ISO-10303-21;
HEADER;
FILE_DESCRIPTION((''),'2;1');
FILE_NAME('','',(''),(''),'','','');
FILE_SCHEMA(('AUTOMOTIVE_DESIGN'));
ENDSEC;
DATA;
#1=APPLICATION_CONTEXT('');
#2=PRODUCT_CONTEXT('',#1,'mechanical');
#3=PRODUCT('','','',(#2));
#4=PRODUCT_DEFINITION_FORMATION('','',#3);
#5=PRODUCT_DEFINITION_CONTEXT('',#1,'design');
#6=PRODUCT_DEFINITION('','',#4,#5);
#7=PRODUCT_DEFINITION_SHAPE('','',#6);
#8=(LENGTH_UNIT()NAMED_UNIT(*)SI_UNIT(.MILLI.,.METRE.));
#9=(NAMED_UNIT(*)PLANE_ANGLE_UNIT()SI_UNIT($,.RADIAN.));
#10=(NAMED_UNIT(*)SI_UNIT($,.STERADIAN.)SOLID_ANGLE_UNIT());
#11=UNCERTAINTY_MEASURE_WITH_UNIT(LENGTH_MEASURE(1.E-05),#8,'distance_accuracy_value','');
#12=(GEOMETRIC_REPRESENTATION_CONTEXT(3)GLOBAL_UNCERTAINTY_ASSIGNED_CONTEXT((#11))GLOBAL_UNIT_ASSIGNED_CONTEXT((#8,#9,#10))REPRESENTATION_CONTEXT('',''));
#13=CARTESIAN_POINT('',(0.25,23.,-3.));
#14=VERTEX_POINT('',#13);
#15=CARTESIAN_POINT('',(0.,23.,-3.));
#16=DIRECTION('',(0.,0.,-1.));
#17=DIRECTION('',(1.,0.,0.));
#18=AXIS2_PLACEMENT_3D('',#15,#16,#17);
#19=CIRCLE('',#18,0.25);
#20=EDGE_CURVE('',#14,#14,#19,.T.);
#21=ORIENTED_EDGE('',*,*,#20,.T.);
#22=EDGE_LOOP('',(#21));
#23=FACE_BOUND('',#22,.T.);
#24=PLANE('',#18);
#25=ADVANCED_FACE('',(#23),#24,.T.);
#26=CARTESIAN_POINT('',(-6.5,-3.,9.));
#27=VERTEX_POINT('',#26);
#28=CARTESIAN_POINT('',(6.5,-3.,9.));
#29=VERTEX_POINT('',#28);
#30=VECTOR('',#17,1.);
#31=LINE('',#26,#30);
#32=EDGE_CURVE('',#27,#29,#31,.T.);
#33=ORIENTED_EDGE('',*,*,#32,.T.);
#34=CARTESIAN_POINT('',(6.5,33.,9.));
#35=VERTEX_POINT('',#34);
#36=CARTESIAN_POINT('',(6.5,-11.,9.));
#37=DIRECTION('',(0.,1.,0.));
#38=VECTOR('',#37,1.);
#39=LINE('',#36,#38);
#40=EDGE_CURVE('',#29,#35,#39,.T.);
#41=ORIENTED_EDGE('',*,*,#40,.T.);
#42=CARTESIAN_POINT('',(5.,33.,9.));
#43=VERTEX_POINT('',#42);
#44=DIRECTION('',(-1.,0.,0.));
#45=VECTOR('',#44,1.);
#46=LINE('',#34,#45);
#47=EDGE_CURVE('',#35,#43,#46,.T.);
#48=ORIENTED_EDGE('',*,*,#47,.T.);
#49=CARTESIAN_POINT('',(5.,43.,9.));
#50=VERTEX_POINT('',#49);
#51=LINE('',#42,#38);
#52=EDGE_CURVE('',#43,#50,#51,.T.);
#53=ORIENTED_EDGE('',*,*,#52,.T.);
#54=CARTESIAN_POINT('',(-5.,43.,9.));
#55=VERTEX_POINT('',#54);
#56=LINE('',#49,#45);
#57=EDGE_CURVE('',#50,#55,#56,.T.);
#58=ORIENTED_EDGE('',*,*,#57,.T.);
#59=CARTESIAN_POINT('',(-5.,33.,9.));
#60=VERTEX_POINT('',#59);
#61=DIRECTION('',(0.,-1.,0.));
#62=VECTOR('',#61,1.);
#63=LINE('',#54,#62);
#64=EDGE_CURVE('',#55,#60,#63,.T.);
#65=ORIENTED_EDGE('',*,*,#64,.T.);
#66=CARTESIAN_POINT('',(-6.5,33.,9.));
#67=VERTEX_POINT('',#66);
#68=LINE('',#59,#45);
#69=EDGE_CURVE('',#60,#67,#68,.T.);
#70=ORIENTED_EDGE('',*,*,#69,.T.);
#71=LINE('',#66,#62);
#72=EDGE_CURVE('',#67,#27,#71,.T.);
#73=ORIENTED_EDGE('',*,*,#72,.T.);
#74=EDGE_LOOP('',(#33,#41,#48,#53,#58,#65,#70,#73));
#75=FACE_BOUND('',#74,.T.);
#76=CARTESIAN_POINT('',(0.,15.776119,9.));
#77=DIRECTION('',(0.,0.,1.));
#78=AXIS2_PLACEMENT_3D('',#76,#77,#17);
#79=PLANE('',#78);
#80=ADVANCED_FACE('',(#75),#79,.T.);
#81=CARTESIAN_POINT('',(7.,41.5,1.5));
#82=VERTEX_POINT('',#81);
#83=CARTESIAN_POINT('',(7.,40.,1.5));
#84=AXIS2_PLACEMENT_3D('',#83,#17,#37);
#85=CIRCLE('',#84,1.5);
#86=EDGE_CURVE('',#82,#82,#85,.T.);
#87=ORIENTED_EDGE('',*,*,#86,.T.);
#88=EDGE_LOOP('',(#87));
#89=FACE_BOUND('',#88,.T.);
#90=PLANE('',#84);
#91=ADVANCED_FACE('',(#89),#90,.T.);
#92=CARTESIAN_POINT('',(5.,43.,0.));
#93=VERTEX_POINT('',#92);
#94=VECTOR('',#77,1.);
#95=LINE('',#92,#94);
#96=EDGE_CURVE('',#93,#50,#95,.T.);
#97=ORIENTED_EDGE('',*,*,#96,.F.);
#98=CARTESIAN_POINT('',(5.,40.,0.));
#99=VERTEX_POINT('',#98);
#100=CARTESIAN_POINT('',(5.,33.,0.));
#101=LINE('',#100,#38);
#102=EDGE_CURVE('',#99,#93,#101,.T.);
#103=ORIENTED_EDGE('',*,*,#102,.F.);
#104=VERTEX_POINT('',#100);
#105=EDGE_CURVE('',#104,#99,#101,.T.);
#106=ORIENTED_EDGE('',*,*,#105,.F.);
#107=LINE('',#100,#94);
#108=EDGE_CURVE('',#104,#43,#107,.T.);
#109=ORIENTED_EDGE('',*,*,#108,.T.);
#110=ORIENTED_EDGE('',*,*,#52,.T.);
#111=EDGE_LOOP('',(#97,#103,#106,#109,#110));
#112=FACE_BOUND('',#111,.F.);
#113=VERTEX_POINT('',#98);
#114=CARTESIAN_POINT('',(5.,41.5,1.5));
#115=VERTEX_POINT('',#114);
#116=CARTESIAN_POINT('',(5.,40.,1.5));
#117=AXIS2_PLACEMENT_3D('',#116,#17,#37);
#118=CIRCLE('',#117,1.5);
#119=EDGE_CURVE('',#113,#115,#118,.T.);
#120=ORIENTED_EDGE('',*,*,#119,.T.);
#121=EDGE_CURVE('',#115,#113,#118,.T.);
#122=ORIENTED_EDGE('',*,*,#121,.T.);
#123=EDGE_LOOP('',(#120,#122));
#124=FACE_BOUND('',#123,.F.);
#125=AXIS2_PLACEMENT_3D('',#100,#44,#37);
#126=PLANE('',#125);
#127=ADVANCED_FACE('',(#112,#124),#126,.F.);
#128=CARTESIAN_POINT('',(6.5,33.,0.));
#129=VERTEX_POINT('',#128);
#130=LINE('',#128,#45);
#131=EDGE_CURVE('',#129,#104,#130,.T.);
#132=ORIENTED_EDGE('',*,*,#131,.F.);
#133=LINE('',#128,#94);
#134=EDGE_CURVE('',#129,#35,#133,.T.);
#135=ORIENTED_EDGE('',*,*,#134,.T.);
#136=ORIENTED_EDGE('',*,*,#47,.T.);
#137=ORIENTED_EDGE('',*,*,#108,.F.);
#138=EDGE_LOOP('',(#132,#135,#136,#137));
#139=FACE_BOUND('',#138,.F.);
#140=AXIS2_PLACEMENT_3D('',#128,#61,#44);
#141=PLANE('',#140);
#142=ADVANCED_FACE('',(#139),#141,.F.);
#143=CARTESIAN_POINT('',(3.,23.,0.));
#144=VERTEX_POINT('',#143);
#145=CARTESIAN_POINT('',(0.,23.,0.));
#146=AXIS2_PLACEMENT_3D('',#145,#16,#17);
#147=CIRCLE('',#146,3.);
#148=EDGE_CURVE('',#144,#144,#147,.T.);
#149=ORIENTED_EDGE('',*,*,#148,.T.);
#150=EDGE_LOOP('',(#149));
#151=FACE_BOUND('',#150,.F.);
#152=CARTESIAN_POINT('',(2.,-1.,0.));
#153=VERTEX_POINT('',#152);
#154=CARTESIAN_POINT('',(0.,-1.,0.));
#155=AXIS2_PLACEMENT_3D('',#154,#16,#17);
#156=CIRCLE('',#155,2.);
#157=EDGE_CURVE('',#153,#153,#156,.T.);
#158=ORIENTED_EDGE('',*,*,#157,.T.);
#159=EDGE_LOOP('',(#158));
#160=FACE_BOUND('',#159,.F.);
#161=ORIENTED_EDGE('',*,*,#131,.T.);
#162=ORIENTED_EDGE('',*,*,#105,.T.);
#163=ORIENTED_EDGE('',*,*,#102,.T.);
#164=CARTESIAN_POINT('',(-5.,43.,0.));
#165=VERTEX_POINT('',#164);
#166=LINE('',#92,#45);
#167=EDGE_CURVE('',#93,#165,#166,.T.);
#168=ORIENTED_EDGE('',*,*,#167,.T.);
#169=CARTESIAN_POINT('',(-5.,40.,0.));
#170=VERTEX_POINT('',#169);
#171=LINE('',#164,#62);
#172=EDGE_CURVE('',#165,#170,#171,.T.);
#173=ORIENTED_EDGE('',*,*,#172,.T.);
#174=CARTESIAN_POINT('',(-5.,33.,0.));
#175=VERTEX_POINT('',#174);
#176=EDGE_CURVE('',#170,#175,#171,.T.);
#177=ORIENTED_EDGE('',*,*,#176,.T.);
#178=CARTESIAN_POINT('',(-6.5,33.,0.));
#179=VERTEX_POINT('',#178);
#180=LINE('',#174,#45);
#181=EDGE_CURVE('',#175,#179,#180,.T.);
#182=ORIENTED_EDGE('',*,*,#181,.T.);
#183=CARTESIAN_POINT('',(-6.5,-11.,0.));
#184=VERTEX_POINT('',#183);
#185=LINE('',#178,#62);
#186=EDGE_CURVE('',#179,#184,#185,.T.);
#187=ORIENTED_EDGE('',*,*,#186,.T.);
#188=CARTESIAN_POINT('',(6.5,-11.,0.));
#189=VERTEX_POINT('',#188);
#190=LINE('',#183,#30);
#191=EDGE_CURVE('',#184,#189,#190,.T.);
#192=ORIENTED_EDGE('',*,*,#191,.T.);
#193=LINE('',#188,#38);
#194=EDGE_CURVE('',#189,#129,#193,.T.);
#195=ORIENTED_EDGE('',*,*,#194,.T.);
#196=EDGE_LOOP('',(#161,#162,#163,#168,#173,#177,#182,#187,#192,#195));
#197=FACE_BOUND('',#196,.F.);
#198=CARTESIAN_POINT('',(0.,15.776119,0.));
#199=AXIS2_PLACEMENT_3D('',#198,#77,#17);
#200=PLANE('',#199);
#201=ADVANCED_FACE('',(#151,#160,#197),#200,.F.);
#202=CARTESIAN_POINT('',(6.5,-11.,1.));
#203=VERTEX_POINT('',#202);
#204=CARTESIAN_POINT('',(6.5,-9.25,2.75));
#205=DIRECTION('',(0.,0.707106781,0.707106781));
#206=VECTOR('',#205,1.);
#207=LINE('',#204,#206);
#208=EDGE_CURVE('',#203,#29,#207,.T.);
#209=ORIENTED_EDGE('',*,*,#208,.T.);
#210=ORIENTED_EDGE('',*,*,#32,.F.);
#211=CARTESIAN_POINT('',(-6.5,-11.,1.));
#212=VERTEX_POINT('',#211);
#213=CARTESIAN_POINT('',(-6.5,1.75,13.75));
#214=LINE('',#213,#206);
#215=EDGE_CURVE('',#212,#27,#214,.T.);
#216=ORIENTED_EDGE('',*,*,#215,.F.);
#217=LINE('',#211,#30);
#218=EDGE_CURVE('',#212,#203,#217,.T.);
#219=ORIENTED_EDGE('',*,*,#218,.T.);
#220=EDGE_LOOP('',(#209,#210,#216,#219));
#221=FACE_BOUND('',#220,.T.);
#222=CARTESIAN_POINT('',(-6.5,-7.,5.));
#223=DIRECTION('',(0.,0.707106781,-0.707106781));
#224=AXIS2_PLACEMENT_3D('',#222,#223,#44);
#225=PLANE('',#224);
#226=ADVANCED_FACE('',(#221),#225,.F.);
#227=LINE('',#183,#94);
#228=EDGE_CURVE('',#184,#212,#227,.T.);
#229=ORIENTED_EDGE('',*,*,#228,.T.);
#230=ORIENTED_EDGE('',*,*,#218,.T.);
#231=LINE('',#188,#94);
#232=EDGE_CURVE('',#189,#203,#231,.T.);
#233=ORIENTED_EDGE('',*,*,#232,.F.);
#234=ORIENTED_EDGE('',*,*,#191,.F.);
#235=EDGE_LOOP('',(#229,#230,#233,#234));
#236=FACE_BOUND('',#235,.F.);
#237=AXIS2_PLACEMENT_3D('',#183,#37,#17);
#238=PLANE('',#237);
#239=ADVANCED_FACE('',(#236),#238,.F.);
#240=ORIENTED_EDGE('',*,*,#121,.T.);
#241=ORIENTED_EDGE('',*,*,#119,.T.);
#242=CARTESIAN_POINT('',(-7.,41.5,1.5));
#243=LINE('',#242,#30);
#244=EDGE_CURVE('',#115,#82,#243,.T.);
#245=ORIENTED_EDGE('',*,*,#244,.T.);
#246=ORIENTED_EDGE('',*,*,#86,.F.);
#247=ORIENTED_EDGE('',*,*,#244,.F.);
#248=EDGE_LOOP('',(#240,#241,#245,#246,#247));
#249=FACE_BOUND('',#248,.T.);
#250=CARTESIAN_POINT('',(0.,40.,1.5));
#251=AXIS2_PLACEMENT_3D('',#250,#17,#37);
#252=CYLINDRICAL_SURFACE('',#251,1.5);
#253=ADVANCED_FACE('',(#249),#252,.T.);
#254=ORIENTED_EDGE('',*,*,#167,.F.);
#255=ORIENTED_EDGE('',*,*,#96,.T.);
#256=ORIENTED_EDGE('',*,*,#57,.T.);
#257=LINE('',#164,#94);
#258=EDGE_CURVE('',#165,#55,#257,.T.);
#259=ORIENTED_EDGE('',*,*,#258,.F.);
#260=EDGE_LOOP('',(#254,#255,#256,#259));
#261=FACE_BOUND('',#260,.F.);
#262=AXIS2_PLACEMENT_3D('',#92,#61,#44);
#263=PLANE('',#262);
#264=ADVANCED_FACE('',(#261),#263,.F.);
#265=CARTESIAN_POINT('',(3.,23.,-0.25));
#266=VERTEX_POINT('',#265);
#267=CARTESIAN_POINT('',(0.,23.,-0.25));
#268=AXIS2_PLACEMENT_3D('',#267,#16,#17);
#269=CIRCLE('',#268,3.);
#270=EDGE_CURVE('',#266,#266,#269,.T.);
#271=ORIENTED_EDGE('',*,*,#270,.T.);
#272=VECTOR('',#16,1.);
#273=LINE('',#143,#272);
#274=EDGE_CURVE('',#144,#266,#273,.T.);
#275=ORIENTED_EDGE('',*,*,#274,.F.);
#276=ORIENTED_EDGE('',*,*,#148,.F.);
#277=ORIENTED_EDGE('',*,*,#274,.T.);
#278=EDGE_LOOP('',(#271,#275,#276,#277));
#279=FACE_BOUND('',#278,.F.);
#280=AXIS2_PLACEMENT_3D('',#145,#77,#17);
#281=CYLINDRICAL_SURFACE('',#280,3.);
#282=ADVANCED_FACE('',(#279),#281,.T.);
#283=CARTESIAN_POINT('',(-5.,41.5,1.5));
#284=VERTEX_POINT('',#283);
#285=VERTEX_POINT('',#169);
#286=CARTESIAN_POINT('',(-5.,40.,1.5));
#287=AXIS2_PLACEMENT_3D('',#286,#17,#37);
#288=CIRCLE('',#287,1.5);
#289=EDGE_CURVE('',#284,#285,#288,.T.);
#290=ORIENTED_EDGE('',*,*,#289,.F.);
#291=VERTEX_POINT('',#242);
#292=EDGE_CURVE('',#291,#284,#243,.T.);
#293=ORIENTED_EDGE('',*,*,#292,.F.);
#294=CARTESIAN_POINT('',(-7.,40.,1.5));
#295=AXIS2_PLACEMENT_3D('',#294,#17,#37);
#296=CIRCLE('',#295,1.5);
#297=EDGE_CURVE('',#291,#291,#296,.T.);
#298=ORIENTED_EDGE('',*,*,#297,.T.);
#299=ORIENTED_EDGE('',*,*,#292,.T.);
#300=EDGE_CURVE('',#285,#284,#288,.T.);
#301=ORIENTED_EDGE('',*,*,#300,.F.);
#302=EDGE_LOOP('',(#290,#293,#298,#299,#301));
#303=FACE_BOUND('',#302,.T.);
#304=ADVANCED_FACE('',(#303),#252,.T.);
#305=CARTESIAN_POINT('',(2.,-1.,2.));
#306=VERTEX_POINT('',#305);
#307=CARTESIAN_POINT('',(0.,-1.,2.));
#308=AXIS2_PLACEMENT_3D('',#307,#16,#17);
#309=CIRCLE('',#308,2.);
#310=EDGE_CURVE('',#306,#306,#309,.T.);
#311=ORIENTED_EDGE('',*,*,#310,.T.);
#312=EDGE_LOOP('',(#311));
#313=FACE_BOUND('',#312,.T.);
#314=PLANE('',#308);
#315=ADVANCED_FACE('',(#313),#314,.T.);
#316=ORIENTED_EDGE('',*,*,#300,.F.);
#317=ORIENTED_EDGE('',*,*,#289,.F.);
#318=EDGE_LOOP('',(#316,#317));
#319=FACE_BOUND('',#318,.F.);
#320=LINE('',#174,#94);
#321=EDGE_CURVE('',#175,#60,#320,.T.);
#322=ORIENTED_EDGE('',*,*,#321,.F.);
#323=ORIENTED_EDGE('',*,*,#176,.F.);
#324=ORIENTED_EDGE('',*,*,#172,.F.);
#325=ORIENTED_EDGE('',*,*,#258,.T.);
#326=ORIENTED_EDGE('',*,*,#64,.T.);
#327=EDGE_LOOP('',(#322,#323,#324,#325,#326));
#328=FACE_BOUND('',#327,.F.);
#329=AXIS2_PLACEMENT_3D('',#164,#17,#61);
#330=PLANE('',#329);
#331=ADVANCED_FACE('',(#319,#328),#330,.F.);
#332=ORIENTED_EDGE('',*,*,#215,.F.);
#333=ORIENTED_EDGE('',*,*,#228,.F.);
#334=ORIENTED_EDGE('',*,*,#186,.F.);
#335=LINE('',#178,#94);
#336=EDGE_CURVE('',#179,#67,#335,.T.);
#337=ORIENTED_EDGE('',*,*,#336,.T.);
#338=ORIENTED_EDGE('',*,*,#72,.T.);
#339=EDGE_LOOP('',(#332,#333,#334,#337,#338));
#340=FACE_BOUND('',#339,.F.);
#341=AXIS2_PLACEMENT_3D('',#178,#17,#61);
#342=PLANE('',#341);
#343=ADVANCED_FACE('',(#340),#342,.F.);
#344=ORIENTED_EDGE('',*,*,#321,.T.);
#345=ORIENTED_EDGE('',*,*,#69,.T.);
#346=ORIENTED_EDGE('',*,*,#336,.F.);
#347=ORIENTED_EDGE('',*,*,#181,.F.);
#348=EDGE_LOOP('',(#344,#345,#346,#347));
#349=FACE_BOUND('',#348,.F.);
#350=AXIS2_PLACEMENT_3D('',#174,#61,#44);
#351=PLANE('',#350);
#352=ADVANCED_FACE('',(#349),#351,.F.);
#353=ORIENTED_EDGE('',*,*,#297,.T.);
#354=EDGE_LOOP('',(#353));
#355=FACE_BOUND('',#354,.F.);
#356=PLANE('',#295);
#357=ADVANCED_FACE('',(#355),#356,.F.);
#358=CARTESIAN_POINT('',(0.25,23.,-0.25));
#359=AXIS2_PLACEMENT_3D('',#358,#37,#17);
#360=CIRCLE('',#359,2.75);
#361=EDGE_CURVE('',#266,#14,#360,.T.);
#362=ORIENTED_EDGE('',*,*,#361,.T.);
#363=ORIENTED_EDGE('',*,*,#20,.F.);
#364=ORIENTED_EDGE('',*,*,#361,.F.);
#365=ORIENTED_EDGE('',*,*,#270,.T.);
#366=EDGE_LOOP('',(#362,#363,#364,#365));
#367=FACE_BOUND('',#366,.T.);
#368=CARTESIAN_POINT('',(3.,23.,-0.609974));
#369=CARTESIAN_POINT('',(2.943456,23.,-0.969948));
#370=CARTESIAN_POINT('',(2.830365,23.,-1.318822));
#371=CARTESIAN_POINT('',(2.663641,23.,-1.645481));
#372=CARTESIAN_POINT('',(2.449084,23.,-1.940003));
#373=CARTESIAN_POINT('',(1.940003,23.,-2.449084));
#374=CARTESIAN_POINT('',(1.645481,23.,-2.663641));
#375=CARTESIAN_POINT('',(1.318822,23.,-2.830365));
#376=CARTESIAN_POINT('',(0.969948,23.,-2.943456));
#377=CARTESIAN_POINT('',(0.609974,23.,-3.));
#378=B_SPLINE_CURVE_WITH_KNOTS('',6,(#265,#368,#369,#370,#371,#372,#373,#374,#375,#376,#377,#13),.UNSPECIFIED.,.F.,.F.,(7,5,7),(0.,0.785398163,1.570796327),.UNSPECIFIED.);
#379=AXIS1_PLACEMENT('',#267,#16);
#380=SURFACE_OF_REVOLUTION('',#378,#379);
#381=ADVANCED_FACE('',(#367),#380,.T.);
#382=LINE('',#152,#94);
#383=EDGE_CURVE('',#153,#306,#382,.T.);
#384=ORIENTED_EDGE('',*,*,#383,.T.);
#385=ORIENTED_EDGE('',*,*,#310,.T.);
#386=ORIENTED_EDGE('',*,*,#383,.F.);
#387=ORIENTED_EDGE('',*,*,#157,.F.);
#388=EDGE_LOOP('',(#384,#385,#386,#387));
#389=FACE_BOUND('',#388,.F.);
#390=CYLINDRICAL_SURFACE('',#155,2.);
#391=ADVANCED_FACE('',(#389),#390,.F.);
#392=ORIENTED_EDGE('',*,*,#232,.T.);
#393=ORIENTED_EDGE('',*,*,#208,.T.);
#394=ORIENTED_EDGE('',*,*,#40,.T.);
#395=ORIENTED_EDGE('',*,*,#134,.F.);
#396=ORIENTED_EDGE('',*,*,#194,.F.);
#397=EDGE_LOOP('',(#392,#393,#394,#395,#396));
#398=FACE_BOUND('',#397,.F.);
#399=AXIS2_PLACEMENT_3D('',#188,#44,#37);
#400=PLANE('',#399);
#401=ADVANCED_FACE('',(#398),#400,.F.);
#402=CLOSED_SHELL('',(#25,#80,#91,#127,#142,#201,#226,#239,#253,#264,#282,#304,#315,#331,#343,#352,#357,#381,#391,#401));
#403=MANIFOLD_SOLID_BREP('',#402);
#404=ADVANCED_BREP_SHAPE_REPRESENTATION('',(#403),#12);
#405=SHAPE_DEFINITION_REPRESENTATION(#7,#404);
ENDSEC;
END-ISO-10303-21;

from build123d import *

# Parameters (mm, degrees)
PAD_DEPTH    = 9
SKETCH001_R  = 1.5
PAD001_DEPTH = 7
SKETCH002_R  = 2
POCKET_DEPTH = 2
SKETCH003_R  = 3
PAD002_DEPTH = 3
FILLET_R     = 2.75
CHAMFER_SIZE = 8


with BuildPart() as part:
    # Sketch → Pad (new body)
    with BuildSketch(Plane.XY):
        Polygon((6.5, -11), (6.5, 33), (5, 33), (5, 43), (-5, 43), (-5, 33), (-6.5, 33), (-6.5, -11), align=None)
    extrude(amount=PAD_DEPTH)

    # Sketch001 → Pad001 (join, symmetric)
    with BuildSketch(Plane.YZ):
        with Locations((40, 1.5)):
            Circle(SKETCH001_R)
    extrude(amount=PAD001_DEPTH, both=True)

    # Sketch002 (on Face4 of Pad001) → Pocket (cut)
    with BuildSketch(Plane(origin=(0, 0, 0), x_dir=(1, 0, 0), z_dir=(0, 0, -1))):
        with Locations((0, 1)):
            Circle(SKETCH002_R)
    extrude(amount=-POCKET_DEPTH, mode=Mode.SUBTRACT)

    # Sketch003 (on Face4 of Pocket) → Pad002 (join)
    with BuildSketch(Plane(origin=(0, 0, 0), x_dir=(1, 0, 0), z_dir=(0, 0, -1))):
        with Locations((0, -23)):
            Circle(SKETCH003_R)
    extrude(amount=PAD002_DEPTH)

    # Fillet
    fillet_edges = [part.edges().sort_by_distance(p)[0] for p in [
        (-3, 23, -3),
    ]]
    fillet(fillet_edges, radius=FILLET_R)

    # Chamfer
    chamfer_edges = [part.edges().sort_by_distance(p)[0] for p in [
        (0, -11, 9),
    ]]
    chamfer(chamfer_edges, length=CHAMFER_SIZE)


solid = part.part
